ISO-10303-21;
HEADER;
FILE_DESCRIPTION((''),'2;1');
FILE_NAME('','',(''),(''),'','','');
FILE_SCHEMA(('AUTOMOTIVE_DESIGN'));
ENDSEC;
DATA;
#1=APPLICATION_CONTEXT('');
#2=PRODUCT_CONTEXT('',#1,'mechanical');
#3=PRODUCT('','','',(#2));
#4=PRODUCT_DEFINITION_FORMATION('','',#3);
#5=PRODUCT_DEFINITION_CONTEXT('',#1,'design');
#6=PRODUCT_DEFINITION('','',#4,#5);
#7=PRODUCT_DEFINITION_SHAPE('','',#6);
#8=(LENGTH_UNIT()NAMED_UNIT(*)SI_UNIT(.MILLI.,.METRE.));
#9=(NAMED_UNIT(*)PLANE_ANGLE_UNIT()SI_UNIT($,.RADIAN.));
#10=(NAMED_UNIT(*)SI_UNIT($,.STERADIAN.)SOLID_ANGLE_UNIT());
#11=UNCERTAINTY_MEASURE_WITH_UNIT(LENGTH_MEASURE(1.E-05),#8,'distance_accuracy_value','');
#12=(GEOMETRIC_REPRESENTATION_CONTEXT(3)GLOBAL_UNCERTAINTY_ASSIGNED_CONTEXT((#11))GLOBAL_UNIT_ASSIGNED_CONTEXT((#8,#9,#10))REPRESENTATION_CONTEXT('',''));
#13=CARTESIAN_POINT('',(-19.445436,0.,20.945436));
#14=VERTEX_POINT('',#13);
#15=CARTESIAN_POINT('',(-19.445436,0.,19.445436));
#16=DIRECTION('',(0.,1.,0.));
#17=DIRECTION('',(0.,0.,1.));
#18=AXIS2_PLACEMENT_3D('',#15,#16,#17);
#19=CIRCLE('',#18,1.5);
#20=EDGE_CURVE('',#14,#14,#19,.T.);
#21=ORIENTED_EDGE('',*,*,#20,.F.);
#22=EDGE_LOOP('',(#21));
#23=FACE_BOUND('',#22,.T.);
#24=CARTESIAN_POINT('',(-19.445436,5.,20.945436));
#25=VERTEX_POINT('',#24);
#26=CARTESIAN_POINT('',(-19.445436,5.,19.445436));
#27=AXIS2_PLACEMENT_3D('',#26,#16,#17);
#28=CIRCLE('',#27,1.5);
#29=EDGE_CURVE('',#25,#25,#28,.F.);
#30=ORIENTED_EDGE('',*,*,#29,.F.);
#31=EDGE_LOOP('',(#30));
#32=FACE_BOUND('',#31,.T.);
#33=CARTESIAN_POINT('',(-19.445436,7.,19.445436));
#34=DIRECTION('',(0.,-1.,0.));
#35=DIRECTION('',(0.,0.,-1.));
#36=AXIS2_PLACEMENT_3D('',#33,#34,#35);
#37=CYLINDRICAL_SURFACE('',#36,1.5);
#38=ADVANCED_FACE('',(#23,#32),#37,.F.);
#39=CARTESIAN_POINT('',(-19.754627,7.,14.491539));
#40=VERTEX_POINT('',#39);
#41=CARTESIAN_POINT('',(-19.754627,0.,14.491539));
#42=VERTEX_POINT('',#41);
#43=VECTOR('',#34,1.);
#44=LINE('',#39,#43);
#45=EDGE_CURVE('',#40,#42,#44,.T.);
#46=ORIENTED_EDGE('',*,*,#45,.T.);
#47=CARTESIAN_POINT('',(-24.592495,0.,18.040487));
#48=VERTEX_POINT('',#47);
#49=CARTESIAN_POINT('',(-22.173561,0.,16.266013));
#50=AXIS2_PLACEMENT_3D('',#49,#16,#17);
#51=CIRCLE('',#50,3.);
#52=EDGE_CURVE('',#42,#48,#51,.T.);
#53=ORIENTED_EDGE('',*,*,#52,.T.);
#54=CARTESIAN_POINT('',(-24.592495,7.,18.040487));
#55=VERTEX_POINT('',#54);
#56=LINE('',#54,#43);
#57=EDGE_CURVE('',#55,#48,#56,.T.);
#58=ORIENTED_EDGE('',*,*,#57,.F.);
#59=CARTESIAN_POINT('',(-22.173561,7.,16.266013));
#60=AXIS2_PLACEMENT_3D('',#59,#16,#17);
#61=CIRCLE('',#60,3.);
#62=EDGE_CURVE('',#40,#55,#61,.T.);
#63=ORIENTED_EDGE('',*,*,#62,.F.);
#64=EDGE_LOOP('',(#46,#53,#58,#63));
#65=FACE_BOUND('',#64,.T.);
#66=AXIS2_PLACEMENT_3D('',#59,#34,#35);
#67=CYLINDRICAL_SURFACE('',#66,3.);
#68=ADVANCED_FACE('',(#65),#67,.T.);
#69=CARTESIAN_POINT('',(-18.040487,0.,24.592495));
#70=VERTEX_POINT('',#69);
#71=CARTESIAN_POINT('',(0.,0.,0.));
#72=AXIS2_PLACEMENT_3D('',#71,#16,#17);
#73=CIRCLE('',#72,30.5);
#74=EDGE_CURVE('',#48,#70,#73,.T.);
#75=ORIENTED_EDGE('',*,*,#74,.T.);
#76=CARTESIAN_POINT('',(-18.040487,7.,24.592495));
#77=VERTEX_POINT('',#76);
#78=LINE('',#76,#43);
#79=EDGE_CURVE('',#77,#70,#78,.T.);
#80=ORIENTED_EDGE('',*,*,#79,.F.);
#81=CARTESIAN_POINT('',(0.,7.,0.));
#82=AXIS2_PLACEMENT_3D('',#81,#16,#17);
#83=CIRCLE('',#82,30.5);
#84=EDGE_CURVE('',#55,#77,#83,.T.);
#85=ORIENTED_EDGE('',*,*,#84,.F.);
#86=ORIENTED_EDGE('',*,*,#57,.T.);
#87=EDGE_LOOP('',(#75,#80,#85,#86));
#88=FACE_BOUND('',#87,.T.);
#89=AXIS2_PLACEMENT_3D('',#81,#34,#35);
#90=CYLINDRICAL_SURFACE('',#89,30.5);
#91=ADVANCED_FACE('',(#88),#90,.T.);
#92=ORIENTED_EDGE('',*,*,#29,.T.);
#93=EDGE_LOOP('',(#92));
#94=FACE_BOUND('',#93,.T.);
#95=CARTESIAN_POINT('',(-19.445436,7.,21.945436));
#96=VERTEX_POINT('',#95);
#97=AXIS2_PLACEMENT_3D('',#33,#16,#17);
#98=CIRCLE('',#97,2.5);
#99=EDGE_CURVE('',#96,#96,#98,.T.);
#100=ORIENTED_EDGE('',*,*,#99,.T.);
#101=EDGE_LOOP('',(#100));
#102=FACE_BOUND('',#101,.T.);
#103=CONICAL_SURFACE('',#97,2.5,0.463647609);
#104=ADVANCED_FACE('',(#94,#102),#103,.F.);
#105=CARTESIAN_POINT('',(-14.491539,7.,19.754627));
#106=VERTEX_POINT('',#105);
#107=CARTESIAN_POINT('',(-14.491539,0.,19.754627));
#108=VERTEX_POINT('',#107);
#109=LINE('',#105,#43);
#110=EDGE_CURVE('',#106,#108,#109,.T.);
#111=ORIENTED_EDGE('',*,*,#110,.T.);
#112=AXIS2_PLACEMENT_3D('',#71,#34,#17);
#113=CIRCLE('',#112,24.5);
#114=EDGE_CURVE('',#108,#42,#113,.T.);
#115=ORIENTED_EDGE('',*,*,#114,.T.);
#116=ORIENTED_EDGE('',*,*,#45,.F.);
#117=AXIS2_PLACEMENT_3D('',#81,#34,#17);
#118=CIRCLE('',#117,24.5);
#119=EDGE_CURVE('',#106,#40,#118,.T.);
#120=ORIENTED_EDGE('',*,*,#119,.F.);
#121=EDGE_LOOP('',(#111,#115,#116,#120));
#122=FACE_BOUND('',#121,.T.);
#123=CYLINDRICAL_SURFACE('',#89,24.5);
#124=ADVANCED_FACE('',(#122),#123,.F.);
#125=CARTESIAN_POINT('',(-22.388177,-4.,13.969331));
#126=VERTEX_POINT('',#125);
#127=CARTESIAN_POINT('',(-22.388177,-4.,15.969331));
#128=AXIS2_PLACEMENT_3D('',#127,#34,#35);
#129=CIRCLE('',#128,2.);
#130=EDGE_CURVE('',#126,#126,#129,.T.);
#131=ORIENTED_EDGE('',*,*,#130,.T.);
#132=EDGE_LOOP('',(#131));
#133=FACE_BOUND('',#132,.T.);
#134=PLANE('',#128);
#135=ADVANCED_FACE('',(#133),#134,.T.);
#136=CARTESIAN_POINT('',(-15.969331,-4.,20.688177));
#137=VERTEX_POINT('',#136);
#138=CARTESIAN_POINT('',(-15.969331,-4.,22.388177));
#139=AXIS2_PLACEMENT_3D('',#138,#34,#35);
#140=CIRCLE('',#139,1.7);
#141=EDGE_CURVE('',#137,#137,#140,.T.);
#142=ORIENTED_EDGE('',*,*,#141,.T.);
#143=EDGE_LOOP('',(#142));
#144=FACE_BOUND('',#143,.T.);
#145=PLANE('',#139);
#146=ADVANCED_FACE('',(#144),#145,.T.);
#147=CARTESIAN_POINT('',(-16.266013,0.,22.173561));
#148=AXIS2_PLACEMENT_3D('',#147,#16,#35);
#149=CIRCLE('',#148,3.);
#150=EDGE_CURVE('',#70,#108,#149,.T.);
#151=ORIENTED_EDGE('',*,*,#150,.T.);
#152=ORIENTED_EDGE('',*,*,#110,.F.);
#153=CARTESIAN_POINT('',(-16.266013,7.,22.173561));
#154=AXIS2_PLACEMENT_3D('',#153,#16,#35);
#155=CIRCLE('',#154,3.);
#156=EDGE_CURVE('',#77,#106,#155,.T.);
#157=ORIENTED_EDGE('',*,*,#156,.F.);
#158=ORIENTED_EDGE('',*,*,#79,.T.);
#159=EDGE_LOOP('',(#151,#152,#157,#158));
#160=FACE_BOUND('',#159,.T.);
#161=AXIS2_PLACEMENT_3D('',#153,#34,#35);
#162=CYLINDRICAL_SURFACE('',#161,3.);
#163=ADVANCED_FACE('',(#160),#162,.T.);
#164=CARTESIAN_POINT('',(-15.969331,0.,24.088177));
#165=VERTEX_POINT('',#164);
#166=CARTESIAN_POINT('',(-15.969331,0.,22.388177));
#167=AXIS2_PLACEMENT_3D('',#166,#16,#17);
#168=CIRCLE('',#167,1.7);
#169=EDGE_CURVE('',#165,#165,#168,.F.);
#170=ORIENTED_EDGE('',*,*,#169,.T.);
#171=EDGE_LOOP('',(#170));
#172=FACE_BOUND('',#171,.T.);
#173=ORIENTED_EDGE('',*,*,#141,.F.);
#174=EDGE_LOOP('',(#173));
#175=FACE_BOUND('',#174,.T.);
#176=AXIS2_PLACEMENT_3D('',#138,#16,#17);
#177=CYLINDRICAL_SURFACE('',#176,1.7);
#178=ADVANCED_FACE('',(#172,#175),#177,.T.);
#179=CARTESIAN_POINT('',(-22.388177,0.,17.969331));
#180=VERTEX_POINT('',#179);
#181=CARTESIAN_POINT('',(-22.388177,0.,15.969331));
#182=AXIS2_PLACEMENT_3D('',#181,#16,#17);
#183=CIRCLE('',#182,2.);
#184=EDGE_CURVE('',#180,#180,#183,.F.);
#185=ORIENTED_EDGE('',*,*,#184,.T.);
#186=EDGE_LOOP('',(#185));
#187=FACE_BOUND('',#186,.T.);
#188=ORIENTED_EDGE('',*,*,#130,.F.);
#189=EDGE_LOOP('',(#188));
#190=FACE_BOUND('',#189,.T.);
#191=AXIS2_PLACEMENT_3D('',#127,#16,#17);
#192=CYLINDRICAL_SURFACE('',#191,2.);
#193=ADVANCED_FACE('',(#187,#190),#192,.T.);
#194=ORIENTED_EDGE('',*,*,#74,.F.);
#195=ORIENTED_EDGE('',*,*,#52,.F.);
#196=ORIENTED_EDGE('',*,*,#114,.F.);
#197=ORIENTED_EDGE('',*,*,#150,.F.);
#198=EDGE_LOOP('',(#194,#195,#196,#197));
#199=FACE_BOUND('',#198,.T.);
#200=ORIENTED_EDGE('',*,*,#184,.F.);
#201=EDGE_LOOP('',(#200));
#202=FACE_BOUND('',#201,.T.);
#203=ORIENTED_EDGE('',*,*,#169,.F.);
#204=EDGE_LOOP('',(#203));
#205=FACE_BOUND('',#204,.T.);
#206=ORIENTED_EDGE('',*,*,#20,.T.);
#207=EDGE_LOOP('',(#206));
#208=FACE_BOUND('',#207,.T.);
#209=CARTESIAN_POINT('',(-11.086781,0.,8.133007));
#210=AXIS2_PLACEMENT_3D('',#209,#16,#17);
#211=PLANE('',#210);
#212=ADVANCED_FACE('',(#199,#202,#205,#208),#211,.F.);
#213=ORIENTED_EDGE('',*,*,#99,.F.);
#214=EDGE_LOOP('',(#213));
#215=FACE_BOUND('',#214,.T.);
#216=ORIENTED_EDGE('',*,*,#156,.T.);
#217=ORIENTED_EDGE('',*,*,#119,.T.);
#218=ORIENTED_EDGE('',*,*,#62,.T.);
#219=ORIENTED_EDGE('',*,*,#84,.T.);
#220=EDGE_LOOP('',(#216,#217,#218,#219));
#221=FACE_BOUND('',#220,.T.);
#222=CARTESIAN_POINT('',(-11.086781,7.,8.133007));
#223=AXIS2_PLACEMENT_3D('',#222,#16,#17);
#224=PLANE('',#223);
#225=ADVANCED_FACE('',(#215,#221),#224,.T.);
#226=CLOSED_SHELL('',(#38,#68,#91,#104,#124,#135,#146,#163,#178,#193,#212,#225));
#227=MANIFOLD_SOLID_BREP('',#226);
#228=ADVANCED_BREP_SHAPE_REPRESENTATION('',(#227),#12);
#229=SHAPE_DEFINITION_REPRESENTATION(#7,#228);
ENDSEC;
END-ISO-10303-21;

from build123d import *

# Parameters (mm, degrees)
SKETCH_1_R      = 1.5
EXTRUDE_1_DEPTH = 7
SKETCH_3_R      = 1.7
SKETCH_3_R_2    = 2
EXTRUDE_2_DEPTH = 4


with BuildPart() as part:
    # 草图1 → 凸台-拉伸1 (new body)
    with BuildSketch(Plane(origin=(0, 0, 0), x_dir=(1, 0, 0), z_dir=(0, 1, 0))):
        with BuildLine():
            ThreePointArc((-24.592495152, -18.040487305), (-21.566756826, -21.566756826), (-18.040487305, -24.592495152))
            ThreePointArc((-18.040487305, -24.592495152), (-13.847079195, -23.948035364), (-14.491538983, -19.754627253))
            ThreePointArc((-14.491538983, -19.754627253), (-17.324116139, -17.324116139), (-19.754627253, -14.491538983))
            ThreePointArc((-19.754627253, -14.491538983), (-23.948035364, -13.847079195), (-24.592495152, -18.040487305))
        make_face()
        with Locations((-19.445436483, -19.445436483)):
            Circle(SKETCH_1_R, mode=Mode.SUBTRACT)
    extrude(amount=EXTRUDE_1_DEPTH)

    # 草图2 → 切除-旋转1 (revolve, cut)
    with BuildSketch(Plane(origin=(-19.445436483, 0, 0), x_dir=(0, 0, -1), z_dir=(1, 0, 0))):
        Polygon((-19.445436483, 7), (-21.945436483, 7), (-20.695436483, 4.5), (-19.445436483, 4.5), align=None)
    revolve(axis=Axis((-19.445436483, 7, 19.445436483), (0, -1, 0)), mode=Mode.SUBTRACT)

    # 草图3 → 凸台-拉伸2 (add)
    with BuildSketch(Plane.XZ):
        with Locations((-15.969331282, 22.388176755)):
            Circle(SKETCH_3_R)
        with Locations((-22.388176755, 15.969331282)):
            Circle(SKETCH_3_R_2)
    extrude(amount=EXTRUDE_2_DEPTH)


solid = part.part
